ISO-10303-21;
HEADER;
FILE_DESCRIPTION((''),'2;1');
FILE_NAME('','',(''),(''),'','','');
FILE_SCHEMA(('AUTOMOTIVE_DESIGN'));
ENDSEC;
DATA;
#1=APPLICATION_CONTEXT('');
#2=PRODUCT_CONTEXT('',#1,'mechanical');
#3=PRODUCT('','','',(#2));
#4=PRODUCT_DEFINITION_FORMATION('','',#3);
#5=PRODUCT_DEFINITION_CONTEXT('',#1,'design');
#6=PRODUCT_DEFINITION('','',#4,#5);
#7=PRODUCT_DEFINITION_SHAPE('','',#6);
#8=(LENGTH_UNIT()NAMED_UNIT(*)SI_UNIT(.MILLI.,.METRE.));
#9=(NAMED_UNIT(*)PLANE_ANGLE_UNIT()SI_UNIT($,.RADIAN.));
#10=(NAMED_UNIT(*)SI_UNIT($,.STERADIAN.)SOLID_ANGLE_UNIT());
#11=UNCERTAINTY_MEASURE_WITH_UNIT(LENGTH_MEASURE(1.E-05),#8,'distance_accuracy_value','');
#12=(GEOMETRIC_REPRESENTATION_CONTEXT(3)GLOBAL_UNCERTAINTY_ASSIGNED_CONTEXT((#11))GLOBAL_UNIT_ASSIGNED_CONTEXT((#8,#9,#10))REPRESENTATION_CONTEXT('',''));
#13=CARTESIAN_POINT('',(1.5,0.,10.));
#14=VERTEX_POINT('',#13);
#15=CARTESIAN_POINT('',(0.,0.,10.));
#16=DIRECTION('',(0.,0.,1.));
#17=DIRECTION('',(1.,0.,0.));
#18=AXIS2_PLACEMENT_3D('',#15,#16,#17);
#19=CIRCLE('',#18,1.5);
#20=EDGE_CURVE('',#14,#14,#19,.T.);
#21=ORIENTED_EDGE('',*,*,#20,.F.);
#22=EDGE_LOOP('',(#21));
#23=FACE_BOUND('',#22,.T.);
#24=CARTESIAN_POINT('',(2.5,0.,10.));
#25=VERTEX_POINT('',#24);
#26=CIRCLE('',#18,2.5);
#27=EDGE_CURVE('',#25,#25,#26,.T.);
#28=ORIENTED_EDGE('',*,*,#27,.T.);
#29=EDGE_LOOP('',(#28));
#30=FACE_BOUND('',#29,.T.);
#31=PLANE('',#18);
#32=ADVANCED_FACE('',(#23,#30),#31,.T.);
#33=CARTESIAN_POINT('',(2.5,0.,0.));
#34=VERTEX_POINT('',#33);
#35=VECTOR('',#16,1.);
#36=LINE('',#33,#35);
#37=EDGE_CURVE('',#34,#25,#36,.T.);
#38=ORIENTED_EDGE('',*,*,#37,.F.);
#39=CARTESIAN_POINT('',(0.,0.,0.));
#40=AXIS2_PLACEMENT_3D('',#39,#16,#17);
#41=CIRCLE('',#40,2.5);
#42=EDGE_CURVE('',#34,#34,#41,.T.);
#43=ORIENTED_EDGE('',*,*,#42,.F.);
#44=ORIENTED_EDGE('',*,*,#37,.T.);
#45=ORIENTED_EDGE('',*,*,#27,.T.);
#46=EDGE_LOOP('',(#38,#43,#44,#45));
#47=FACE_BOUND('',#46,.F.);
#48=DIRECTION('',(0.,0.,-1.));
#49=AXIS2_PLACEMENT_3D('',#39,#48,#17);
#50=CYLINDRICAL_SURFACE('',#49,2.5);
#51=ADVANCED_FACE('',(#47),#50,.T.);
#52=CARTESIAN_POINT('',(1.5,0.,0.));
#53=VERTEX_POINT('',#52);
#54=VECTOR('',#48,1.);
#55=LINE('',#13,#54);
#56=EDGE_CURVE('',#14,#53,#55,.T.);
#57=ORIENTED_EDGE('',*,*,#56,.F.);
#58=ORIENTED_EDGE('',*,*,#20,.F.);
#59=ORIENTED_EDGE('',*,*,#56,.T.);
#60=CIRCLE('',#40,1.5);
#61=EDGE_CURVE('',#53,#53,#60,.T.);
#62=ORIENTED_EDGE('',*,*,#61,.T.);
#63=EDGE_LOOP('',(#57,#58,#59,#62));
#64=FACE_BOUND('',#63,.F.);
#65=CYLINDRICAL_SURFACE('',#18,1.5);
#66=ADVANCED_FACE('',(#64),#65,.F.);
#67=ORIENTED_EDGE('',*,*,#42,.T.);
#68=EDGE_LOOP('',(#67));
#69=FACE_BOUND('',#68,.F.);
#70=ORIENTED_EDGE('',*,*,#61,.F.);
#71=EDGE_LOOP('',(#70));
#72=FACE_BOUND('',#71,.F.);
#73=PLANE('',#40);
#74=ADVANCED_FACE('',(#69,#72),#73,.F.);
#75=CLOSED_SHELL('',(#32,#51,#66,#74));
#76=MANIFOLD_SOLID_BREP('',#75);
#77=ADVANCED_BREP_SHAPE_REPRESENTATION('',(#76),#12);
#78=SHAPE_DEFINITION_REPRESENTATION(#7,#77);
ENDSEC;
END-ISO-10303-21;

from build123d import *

# Parameters (mm, degrees)
SKETCH1_R           = 2.5
BOSS_EXTRUDE1_DEPTH = 10
SKETCH2_R           = 1.5
CUT_EXTRUDE1_DEPTH  = 10


with BuildPart() as part:
    # Sketch1 → Boss-Extrude1 (new body)
    with BuildSketch(Plane.XY):
        Circle(SKETCH1_R)
    extrude(amount=BOSS_EXTRUDE1_DEPTH)

    # Sketch2 → Cut-Extrude1 (cut)
    with BuildSketch(Plane.XY.offset(10)):
        Circle(SKETCH2_R)
    extrude(amount=-CUT_EXTRUDE1_DEPTH, mode=Mode.SUBTRACT)


solid = part.part
